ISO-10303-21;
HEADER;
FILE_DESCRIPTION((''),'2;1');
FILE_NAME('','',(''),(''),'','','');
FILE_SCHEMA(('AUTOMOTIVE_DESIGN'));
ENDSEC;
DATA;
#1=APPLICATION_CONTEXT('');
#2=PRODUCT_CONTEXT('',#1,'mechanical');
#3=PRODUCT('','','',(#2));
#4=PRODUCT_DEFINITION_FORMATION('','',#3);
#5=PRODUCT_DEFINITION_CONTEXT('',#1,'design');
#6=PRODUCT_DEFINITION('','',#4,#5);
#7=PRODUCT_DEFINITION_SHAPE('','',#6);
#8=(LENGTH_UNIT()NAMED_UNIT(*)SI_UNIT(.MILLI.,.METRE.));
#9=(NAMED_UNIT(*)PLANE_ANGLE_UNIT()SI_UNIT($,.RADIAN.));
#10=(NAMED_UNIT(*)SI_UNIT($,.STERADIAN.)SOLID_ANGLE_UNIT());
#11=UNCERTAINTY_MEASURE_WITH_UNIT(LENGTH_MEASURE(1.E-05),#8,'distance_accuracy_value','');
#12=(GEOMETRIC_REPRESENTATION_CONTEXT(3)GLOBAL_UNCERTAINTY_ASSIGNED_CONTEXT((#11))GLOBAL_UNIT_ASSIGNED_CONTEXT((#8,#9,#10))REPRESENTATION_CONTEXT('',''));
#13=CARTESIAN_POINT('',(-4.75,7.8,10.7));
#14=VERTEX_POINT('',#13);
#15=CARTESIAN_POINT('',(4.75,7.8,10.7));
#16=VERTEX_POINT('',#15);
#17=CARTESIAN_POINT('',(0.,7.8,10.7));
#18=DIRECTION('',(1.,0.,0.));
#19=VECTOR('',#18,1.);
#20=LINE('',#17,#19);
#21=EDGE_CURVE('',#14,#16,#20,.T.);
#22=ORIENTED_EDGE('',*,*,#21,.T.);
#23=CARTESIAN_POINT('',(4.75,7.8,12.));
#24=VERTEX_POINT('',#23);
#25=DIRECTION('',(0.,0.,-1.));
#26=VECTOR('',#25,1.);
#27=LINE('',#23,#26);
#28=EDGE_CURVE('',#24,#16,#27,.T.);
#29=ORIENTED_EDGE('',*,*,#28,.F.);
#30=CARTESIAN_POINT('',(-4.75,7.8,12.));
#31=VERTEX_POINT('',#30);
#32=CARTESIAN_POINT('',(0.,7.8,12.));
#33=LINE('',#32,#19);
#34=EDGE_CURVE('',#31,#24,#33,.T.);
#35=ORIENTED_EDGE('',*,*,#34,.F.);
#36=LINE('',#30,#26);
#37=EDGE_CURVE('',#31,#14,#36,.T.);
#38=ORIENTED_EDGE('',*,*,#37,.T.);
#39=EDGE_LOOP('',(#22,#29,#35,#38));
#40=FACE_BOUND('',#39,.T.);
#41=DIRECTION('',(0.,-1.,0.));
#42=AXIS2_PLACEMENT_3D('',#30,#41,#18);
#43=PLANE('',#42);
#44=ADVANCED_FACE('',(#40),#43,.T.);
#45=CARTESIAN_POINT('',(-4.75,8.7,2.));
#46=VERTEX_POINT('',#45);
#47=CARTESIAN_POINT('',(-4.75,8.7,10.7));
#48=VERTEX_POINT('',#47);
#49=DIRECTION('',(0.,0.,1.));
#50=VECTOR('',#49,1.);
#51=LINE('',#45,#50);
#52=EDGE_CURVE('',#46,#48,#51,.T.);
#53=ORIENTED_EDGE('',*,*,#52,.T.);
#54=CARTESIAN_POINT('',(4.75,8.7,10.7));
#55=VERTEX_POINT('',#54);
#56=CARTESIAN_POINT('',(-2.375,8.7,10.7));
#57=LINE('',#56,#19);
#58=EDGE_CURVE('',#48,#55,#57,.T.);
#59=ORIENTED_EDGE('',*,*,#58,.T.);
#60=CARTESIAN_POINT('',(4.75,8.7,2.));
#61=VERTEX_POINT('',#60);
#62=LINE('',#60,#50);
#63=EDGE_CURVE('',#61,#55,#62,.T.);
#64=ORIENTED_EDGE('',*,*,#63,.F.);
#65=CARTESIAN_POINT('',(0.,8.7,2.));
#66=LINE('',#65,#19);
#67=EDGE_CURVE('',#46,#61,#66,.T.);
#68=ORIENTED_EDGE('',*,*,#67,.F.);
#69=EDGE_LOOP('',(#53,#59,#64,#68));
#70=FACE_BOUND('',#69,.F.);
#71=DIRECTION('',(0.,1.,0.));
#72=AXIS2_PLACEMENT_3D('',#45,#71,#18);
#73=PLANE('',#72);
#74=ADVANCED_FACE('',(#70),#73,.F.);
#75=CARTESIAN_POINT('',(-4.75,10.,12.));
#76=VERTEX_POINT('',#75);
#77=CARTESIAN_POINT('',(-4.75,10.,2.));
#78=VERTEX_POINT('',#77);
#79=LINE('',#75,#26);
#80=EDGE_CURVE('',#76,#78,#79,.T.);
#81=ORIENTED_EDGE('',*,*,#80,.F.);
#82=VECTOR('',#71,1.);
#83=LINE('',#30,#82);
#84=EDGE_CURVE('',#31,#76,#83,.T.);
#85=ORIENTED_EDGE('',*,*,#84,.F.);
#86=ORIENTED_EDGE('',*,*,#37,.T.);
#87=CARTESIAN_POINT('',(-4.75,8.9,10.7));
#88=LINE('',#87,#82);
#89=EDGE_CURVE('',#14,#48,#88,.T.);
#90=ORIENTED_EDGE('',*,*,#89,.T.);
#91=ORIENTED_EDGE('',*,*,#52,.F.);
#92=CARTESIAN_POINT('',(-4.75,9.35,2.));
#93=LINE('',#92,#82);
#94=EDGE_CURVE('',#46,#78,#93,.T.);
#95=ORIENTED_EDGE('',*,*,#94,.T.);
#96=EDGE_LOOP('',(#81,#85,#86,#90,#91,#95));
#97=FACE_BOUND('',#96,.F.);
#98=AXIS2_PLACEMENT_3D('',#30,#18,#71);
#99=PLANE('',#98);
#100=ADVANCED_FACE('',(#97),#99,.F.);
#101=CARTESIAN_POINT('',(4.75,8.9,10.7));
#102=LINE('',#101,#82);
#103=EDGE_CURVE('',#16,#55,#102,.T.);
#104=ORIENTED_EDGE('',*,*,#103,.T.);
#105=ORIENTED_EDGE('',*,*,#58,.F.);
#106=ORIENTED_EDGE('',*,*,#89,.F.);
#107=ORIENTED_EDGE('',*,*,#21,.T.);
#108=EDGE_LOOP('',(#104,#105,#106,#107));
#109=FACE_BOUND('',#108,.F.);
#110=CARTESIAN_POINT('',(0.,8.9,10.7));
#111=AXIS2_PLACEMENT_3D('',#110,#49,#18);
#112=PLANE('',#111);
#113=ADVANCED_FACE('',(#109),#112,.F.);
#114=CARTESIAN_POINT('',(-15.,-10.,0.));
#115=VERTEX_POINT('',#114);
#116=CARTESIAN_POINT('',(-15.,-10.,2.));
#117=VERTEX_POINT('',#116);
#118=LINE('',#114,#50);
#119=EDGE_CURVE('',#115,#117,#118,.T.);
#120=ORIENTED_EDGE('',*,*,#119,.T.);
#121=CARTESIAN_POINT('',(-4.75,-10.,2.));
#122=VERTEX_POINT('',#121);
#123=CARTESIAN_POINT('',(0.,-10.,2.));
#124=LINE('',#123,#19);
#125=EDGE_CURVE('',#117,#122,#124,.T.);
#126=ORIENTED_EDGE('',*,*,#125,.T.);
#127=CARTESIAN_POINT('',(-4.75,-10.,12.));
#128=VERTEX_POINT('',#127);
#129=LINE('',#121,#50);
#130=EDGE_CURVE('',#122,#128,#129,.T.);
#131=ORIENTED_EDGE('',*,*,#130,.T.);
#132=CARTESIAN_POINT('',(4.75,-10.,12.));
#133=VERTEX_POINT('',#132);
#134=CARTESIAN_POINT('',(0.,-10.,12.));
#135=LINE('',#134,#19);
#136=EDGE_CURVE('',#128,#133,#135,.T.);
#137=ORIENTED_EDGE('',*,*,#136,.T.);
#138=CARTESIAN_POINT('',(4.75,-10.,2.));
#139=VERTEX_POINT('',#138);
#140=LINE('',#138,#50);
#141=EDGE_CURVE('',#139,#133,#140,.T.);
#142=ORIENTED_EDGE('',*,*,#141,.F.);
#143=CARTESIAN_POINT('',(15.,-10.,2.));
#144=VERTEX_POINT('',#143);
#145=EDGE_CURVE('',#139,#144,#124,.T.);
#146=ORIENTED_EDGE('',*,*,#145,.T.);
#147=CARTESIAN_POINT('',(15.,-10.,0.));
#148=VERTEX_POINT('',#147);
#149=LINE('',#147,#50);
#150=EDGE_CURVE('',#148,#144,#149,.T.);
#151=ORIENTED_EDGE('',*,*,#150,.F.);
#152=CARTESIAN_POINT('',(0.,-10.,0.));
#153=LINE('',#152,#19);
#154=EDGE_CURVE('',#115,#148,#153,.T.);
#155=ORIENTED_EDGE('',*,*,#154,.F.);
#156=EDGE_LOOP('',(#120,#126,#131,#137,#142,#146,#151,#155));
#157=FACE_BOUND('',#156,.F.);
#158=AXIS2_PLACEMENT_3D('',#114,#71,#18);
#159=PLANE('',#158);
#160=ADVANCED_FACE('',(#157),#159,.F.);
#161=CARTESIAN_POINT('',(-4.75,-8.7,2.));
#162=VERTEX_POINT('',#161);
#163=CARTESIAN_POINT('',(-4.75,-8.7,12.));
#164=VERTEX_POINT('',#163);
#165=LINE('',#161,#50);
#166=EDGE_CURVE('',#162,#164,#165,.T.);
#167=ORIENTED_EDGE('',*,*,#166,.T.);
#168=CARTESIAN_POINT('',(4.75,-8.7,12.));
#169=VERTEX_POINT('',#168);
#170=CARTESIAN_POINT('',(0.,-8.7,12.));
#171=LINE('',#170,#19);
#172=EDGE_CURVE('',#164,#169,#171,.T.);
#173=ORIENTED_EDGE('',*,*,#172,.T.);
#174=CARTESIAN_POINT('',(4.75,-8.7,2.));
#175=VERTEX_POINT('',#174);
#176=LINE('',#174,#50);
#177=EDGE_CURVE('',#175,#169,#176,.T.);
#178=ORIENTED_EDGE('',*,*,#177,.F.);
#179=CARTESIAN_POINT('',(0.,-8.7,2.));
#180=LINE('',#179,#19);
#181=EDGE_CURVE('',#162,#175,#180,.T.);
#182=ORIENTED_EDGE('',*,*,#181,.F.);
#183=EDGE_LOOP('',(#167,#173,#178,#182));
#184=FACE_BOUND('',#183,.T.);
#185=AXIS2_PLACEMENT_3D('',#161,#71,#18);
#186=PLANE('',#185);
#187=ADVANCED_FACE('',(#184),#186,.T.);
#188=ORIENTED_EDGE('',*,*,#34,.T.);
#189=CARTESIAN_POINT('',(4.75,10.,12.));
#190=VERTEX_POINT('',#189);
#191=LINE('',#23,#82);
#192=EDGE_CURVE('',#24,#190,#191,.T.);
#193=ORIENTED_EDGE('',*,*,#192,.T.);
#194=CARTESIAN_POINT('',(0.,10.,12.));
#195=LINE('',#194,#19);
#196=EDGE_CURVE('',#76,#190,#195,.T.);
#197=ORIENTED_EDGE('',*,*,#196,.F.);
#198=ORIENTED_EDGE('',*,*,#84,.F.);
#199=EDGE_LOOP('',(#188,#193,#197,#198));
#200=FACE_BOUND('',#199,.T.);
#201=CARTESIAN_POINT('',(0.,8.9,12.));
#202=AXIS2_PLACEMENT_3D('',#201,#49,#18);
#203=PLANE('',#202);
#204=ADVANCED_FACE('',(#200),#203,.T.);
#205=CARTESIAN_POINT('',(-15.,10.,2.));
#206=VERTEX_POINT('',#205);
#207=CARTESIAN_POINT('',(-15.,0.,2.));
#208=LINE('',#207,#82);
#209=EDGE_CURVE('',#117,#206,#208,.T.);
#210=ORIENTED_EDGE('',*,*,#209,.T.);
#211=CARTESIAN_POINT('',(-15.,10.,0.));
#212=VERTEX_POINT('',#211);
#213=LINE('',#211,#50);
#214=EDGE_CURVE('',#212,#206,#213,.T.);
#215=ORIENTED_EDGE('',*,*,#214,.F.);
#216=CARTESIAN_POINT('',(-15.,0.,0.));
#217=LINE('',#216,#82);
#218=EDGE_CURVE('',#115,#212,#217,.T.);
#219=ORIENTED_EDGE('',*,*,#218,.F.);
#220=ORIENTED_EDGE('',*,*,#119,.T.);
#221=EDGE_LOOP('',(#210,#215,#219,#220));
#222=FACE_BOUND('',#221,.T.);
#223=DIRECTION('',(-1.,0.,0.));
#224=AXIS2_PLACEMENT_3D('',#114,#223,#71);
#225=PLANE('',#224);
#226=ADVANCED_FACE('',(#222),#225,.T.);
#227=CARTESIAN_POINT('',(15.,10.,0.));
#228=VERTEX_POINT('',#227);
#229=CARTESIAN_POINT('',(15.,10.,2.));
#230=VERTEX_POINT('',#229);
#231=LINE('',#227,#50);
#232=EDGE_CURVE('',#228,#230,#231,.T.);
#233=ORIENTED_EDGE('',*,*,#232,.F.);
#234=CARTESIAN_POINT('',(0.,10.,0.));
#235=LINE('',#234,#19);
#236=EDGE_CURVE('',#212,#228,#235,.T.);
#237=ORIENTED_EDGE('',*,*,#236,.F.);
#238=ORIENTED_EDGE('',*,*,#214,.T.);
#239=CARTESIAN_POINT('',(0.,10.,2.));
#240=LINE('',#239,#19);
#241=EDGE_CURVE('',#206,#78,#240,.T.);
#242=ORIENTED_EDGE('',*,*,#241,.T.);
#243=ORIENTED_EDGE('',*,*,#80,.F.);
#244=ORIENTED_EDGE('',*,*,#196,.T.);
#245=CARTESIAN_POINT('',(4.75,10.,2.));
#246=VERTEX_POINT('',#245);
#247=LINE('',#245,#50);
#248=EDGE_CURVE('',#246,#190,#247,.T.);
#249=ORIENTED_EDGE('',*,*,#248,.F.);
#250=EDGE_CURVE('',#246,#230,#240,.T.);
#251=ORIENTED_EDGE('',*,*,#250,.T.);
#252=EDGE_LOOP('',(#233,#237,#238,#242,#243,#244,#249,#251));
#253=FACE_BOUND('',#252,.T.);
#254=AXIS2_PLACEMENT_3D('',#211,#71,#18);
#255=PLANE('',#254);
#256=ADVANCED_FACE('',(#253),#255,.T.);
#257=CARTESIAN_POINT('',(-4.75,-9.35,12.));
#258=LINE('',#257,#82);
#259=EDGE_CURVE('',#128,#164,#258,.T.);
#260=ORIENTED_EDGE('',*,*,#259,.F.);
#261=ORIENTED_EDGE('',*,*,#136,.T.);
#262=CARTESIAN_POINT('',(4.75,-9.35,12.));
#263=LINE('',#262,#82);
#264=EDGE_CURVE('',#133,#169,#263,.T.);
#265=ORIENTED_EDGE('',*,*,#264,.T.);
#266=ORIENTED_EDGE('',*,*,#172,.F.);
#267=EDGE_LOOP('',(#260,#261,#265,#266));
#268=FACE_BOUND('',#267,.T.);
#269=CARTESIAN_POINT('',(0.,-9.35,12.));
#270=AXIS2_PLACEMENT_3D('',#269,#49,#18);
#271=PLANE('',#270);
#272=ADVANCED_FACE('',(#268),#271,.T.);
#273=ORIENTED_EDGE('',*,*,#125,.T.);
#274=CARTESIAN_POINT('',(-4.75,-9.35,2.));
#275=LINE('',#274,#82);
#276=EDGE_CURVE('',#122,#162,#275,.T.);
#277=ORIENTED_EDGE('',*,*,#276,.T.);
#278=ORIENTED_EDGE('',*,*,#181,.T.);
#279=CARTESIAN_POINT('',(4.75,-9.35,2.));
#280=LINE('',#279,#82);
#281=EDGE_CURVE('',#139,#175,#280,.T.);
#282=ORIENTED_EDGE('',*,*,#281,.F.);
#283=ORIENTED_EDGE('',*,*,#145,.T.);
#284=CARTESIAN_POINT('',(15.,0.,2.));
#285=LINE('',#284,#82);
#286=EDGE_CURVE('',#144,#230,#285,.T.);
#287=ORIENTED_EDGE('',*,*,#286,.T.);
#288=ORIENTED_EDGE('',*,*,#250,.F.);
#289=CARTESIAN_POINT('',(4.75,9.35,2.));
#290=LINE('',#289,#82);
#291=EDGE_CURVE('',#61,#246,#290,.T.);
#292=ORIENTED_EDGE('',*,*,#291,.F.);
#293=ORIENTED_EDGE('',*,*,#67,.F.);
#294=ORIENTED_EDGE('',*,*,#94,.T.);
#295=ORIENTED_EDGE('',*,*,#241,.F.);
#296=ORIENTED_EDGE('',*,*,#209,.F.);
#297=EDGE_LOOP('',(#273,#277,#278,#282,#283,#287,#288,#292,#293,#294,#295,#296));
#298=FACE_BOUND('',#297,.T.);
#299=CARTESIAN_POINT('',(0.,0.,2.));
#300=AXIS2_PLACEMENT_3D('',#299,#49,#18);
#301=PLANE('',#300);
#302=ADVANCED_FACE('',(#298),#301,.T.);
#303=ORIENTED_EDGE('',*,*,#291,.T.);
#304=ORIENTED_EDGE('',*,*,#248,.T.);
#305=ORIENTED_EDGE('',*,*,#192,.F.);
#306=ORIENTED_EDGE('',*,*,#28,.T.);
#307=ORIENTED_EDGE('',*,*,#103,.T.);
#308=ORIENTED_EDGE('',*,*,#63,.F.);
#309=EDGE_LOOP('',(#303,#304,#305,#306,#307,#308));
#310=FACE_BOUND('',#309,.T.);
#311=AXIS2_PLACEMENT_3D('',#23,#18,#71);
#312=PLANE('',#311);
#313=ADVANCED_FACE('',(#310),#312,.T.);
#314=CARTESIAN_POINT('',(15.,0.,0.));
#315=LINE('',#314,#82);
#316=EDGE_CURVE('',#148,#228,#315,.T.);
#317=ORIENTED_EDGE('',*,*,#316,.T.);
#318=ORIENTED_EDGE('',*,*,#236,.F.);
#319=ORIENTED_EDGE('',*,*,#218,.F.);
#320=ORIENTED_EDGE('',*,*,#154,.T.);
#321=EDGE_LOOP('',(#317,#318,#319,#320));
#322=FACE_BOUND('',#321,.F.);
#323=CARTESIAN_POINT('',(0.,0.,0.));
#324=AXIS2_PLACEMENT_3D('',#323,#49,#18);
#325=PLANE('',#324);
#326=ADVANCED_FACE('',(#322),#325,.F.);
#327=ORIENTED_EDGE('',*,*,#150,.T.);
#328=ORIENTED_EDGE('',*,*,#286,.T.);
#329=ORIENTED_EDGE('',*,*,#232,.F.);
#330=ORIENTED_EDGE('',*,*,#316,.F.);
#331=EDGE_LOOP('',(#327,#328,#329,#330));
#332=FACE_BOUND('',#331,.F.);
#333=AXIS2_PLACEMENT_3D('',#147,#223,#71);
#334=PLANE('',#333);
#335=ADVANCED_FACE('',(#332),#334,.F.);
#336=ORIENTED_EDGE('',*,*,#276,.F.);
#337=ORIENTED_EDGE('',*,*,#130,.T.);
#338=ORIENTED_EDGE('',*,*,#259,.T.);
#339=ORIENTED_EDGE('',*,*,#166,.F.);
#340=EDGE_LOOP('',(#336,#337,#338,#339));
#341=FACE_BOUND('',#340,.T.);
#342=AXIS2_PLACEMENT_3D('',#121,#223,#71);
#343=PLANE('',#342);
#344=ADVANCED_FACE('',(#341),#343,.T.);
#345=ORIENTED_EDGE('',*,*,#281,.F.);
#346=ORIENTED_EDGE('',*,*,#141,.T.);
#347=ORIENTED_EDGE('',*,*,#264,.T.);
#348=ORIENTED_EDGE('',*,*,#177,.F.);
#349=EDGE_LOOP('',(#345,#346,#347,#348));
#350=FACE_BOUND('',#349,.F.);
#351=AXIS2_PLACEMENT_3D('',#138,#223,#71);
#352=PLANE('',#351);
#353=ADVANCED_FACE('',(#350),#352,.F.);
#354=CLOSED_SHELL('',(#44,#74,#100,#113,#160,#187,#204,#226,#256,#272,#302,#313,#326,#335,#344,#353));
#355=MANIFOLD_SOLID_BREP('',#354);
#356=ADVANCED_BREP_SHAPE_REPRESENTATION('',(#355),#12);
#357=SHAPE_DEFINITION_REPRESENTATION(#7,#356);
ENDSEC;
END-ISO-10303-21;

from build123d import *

# Parameters (mm, degrees)
SKETCH_W     = 30
SKETCH_H     = 20
PAD_DEPTH    = 2
SKETCH001_W  = 9.5
SKETCH001_H  = 1.3
PAD001_DEPTH = 10
SKETCH002_W  = 9.5
SKETCH002_H  = 2.2
PAD002_DEPTH = 1.3


with BuildPart() as part:
    # Sketch → Pad (new body)
    with BuildSketch(Plane.XY):
        Rectangle(SKETCH_W, SKETCH_H)
    extrude(amount=PAD_DEPTH)

    # Sketch001 (on Face6 of Pad) → Pad001 (join)
    with BuildSketch(Plane.XY.offset(2)):
        with Locations((0, 9.35)):
            Rectangle(SKETCH001_W, SKETCH001_H)
        with Locations((0, -9.35)):
            Rectangle(SKETCH001_W, SKETCH001_H)
    extrude(amount=PAD001_DEPTH)

    # Sketch002 (on Face16 of Pad001) → Pad002 (join)
    with BuildSketch(Plane.XY.offset(12)):
        with Locations((0, 8.9)):
            Rectangle(SKETCH002_W, SKETCH002_H)
    extrude(amount=-PAD002_DEPTH)


solid = part.part
